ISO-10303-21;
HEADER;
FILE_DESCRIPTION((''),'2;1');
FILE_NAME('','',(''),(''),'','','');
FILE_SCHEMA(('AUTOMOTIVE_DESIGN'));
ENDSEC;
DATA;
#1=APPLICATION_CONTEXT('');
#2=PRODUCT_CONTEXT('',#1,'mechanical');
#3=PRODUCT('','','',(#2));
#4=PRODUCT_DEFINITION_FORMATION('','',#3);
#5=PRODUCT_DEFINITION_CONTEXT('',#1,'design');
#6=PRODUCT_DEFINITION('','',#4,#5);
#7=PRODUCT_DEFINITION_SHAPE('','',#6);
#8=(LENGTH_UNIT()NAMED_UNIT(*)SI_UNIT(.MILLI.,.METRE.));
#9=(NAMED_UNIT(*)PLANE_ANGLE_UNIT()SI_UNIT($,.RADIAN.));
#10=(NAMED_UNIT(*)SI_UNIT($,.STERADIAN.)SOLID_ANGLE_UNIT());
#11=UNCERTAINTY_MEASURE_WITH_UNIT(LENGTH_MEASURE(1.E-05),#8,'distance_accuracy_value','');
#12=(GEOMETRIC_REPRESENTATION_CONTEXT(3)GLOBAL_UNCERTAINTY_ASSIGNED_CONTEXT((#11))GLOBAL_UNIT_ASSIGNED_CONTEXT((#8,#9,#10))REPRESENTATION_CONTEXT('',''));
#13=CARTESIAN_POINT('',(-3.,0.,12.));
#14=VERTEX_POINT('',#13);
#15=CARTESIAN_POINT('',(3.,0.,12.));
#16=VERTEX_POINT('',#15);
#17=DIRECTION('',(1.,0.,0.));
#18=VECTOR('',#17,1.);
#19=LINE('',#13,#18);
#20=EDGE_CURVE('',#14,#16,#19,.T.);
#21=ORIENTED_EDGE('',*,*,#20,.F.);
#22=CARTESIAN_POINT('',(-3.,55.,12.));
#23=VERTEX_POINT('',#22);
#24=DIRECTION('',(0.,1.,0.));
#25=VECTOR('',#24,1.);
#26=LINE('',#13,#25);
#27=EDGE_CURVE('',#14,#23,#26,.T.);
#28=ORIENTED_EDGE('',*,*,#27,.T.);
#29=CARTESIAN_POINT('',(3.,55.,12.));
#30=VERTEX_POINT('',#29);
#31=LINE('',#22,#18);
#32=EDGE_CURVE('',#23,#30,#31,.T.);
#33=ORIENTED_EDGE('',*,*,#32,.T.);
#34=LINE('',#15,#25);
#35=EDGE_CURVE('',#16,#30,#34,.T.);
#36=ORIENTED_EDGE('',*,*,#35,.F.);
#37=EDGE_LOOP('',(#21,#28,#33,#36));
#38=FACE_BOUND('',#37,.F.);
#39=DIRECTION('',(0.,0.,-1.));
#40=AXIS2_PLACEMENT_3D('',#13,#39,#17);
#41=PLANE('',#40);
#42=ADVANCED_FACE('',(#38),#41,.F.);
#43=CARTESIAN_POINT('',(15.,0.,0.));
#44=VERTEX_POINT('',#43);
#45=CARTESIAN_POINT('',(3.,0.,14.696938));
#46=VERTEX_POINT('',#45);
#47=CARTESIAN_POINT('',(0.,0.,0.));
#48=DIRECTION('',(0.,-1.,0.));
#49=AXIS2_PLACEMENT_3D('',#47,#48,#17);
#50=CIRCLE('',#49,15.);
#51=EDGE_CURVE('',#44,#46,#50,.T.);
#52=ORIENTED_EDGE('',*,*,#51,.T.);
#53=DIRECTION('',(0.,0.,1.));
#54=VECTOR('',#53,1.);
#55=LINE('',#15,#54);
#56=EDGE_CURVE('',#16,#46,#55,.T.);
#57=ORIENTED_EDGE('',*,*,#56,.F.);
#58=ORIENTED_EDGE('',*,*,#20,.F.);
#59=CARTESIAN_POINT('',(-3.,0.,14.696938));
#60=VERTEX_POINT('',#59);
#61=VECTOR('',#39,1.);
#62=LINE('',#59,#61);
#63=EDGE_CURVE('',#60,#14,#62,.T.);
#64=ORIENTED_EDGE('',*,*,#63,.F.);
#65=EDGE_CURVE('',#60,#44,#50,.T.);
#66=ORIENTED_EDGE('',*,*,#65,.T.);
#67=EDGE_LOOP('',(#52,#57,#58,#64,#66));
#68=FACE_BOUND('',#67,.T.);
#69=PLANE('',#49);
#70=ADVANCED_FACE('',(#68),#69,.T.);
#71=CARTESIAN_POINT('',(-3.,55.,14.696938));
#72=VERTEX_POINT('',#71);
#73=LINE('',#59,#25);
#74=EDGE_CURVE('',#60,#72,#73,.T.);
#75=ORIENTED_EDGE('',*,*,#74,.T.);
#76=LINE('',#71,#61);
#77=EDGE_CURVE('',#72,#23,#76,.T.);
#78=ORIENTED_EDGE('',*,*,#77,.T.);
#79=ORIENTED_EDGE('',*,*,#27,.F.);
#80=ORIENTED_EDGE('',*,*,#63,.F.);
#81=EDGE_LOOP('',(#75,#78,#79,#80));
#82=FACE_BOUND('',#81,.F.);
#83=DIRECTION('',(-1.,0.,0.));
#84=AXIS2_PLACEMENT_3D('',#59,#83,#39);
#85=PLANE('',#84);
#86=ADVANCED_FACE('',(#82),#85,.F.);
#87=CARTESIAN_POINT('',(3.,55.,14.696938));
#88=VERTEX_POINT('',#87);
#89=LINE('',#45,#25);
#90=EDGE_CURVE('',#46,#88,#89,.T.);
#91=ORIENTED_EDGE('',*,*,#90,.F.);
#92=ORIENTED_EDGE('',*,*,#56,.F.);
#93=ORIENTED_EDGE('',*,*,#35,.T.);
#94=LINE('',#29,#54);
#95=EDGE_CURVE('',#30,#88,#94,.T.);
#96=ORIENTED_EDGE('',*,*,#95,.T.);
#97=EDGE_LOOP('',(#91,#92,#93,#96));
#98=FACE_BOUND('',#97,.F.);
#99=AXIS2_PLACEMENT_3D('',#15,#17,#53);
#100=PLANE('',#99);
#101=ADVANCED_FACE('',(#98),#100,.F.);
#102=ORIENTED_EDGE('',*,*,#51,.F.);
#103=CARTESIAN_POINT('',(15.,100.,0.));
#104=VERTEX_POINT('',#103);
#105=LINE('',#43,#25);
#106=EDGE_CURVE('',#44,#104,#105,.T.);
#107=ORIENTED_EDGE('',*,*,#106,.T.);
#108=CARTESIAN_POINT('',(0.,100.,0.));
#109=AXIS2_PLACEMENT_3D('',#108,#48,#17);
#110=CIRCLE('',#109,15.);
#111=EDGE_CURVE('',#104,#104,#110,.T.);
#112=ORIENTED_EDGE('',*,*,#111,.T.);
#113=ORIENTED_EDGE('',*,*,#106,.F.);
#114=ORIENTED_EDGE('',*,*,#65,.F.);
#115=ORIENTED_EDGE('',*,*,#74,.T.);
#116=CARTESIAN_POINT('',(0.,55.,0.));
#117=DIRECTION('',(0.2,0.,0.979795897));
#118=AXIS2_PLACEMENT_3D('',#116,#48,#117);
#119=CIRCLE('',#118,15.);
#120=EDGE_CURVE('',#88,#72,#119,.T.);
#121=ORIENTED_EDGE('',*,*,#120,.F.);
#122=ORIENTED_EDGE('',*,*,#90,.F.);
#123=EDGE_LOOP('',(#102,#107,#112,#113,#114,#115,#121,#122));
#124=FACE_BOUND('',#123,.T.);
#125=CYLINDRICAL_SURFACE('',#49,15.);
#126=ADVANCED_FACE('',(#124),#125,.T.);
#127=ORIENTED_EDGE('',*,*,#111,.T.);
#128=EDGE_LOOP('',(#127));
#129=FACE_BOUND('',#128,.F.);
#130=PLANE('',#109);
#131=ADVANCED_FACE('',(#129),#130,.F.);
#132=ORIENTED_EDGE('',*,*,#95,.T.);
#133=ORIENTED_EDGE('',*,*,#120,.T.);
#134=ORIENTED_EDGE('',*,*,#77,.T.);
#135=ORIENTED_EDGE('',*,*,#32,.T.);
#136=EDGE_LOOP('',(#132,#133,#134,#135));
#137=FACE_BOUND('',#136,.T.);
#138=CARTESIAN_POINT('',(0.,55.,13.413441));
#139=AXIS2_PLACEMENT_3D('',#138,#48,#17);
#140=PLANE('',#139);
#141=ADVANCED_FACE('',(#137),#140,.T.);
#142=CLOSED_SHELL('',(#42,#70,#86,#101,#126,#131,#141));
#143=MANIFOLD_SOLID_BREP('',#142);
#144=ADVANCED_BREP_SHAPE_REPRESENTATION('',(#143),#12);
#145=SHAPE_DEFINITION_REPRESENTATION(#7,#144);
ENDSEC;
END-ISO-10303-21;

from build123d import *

# Parameters (mm, degrees)
F0_R     = 15
F1_DEPTH = 100
F3_DEPTH = 55


with BuildPart() as f1:
    # F0 (on Front) → F1 (new body)
    with BuildSketch(Plane.XZ):
        Circle(F0_R)
    extrude(amount=-F1_DEPTH)

    # F2 (on face) → F3 (cut)
    with BuildSketch(Plane.XZ):
        with BuildLine():
            Line((3, 12), (3, 14.6969384567))
            ThreePointArc((3, 14.6969384567), (0, 15), (-3, 14.6969384567))
            Line((-3, 14.6969384567), (-3, 12))
            Line((-3, 12), (3, 12))
        make_face()
    extrude(amount=-F3_DEPTH, mode=Mode.SUBTRACT)


solid = f1.part
